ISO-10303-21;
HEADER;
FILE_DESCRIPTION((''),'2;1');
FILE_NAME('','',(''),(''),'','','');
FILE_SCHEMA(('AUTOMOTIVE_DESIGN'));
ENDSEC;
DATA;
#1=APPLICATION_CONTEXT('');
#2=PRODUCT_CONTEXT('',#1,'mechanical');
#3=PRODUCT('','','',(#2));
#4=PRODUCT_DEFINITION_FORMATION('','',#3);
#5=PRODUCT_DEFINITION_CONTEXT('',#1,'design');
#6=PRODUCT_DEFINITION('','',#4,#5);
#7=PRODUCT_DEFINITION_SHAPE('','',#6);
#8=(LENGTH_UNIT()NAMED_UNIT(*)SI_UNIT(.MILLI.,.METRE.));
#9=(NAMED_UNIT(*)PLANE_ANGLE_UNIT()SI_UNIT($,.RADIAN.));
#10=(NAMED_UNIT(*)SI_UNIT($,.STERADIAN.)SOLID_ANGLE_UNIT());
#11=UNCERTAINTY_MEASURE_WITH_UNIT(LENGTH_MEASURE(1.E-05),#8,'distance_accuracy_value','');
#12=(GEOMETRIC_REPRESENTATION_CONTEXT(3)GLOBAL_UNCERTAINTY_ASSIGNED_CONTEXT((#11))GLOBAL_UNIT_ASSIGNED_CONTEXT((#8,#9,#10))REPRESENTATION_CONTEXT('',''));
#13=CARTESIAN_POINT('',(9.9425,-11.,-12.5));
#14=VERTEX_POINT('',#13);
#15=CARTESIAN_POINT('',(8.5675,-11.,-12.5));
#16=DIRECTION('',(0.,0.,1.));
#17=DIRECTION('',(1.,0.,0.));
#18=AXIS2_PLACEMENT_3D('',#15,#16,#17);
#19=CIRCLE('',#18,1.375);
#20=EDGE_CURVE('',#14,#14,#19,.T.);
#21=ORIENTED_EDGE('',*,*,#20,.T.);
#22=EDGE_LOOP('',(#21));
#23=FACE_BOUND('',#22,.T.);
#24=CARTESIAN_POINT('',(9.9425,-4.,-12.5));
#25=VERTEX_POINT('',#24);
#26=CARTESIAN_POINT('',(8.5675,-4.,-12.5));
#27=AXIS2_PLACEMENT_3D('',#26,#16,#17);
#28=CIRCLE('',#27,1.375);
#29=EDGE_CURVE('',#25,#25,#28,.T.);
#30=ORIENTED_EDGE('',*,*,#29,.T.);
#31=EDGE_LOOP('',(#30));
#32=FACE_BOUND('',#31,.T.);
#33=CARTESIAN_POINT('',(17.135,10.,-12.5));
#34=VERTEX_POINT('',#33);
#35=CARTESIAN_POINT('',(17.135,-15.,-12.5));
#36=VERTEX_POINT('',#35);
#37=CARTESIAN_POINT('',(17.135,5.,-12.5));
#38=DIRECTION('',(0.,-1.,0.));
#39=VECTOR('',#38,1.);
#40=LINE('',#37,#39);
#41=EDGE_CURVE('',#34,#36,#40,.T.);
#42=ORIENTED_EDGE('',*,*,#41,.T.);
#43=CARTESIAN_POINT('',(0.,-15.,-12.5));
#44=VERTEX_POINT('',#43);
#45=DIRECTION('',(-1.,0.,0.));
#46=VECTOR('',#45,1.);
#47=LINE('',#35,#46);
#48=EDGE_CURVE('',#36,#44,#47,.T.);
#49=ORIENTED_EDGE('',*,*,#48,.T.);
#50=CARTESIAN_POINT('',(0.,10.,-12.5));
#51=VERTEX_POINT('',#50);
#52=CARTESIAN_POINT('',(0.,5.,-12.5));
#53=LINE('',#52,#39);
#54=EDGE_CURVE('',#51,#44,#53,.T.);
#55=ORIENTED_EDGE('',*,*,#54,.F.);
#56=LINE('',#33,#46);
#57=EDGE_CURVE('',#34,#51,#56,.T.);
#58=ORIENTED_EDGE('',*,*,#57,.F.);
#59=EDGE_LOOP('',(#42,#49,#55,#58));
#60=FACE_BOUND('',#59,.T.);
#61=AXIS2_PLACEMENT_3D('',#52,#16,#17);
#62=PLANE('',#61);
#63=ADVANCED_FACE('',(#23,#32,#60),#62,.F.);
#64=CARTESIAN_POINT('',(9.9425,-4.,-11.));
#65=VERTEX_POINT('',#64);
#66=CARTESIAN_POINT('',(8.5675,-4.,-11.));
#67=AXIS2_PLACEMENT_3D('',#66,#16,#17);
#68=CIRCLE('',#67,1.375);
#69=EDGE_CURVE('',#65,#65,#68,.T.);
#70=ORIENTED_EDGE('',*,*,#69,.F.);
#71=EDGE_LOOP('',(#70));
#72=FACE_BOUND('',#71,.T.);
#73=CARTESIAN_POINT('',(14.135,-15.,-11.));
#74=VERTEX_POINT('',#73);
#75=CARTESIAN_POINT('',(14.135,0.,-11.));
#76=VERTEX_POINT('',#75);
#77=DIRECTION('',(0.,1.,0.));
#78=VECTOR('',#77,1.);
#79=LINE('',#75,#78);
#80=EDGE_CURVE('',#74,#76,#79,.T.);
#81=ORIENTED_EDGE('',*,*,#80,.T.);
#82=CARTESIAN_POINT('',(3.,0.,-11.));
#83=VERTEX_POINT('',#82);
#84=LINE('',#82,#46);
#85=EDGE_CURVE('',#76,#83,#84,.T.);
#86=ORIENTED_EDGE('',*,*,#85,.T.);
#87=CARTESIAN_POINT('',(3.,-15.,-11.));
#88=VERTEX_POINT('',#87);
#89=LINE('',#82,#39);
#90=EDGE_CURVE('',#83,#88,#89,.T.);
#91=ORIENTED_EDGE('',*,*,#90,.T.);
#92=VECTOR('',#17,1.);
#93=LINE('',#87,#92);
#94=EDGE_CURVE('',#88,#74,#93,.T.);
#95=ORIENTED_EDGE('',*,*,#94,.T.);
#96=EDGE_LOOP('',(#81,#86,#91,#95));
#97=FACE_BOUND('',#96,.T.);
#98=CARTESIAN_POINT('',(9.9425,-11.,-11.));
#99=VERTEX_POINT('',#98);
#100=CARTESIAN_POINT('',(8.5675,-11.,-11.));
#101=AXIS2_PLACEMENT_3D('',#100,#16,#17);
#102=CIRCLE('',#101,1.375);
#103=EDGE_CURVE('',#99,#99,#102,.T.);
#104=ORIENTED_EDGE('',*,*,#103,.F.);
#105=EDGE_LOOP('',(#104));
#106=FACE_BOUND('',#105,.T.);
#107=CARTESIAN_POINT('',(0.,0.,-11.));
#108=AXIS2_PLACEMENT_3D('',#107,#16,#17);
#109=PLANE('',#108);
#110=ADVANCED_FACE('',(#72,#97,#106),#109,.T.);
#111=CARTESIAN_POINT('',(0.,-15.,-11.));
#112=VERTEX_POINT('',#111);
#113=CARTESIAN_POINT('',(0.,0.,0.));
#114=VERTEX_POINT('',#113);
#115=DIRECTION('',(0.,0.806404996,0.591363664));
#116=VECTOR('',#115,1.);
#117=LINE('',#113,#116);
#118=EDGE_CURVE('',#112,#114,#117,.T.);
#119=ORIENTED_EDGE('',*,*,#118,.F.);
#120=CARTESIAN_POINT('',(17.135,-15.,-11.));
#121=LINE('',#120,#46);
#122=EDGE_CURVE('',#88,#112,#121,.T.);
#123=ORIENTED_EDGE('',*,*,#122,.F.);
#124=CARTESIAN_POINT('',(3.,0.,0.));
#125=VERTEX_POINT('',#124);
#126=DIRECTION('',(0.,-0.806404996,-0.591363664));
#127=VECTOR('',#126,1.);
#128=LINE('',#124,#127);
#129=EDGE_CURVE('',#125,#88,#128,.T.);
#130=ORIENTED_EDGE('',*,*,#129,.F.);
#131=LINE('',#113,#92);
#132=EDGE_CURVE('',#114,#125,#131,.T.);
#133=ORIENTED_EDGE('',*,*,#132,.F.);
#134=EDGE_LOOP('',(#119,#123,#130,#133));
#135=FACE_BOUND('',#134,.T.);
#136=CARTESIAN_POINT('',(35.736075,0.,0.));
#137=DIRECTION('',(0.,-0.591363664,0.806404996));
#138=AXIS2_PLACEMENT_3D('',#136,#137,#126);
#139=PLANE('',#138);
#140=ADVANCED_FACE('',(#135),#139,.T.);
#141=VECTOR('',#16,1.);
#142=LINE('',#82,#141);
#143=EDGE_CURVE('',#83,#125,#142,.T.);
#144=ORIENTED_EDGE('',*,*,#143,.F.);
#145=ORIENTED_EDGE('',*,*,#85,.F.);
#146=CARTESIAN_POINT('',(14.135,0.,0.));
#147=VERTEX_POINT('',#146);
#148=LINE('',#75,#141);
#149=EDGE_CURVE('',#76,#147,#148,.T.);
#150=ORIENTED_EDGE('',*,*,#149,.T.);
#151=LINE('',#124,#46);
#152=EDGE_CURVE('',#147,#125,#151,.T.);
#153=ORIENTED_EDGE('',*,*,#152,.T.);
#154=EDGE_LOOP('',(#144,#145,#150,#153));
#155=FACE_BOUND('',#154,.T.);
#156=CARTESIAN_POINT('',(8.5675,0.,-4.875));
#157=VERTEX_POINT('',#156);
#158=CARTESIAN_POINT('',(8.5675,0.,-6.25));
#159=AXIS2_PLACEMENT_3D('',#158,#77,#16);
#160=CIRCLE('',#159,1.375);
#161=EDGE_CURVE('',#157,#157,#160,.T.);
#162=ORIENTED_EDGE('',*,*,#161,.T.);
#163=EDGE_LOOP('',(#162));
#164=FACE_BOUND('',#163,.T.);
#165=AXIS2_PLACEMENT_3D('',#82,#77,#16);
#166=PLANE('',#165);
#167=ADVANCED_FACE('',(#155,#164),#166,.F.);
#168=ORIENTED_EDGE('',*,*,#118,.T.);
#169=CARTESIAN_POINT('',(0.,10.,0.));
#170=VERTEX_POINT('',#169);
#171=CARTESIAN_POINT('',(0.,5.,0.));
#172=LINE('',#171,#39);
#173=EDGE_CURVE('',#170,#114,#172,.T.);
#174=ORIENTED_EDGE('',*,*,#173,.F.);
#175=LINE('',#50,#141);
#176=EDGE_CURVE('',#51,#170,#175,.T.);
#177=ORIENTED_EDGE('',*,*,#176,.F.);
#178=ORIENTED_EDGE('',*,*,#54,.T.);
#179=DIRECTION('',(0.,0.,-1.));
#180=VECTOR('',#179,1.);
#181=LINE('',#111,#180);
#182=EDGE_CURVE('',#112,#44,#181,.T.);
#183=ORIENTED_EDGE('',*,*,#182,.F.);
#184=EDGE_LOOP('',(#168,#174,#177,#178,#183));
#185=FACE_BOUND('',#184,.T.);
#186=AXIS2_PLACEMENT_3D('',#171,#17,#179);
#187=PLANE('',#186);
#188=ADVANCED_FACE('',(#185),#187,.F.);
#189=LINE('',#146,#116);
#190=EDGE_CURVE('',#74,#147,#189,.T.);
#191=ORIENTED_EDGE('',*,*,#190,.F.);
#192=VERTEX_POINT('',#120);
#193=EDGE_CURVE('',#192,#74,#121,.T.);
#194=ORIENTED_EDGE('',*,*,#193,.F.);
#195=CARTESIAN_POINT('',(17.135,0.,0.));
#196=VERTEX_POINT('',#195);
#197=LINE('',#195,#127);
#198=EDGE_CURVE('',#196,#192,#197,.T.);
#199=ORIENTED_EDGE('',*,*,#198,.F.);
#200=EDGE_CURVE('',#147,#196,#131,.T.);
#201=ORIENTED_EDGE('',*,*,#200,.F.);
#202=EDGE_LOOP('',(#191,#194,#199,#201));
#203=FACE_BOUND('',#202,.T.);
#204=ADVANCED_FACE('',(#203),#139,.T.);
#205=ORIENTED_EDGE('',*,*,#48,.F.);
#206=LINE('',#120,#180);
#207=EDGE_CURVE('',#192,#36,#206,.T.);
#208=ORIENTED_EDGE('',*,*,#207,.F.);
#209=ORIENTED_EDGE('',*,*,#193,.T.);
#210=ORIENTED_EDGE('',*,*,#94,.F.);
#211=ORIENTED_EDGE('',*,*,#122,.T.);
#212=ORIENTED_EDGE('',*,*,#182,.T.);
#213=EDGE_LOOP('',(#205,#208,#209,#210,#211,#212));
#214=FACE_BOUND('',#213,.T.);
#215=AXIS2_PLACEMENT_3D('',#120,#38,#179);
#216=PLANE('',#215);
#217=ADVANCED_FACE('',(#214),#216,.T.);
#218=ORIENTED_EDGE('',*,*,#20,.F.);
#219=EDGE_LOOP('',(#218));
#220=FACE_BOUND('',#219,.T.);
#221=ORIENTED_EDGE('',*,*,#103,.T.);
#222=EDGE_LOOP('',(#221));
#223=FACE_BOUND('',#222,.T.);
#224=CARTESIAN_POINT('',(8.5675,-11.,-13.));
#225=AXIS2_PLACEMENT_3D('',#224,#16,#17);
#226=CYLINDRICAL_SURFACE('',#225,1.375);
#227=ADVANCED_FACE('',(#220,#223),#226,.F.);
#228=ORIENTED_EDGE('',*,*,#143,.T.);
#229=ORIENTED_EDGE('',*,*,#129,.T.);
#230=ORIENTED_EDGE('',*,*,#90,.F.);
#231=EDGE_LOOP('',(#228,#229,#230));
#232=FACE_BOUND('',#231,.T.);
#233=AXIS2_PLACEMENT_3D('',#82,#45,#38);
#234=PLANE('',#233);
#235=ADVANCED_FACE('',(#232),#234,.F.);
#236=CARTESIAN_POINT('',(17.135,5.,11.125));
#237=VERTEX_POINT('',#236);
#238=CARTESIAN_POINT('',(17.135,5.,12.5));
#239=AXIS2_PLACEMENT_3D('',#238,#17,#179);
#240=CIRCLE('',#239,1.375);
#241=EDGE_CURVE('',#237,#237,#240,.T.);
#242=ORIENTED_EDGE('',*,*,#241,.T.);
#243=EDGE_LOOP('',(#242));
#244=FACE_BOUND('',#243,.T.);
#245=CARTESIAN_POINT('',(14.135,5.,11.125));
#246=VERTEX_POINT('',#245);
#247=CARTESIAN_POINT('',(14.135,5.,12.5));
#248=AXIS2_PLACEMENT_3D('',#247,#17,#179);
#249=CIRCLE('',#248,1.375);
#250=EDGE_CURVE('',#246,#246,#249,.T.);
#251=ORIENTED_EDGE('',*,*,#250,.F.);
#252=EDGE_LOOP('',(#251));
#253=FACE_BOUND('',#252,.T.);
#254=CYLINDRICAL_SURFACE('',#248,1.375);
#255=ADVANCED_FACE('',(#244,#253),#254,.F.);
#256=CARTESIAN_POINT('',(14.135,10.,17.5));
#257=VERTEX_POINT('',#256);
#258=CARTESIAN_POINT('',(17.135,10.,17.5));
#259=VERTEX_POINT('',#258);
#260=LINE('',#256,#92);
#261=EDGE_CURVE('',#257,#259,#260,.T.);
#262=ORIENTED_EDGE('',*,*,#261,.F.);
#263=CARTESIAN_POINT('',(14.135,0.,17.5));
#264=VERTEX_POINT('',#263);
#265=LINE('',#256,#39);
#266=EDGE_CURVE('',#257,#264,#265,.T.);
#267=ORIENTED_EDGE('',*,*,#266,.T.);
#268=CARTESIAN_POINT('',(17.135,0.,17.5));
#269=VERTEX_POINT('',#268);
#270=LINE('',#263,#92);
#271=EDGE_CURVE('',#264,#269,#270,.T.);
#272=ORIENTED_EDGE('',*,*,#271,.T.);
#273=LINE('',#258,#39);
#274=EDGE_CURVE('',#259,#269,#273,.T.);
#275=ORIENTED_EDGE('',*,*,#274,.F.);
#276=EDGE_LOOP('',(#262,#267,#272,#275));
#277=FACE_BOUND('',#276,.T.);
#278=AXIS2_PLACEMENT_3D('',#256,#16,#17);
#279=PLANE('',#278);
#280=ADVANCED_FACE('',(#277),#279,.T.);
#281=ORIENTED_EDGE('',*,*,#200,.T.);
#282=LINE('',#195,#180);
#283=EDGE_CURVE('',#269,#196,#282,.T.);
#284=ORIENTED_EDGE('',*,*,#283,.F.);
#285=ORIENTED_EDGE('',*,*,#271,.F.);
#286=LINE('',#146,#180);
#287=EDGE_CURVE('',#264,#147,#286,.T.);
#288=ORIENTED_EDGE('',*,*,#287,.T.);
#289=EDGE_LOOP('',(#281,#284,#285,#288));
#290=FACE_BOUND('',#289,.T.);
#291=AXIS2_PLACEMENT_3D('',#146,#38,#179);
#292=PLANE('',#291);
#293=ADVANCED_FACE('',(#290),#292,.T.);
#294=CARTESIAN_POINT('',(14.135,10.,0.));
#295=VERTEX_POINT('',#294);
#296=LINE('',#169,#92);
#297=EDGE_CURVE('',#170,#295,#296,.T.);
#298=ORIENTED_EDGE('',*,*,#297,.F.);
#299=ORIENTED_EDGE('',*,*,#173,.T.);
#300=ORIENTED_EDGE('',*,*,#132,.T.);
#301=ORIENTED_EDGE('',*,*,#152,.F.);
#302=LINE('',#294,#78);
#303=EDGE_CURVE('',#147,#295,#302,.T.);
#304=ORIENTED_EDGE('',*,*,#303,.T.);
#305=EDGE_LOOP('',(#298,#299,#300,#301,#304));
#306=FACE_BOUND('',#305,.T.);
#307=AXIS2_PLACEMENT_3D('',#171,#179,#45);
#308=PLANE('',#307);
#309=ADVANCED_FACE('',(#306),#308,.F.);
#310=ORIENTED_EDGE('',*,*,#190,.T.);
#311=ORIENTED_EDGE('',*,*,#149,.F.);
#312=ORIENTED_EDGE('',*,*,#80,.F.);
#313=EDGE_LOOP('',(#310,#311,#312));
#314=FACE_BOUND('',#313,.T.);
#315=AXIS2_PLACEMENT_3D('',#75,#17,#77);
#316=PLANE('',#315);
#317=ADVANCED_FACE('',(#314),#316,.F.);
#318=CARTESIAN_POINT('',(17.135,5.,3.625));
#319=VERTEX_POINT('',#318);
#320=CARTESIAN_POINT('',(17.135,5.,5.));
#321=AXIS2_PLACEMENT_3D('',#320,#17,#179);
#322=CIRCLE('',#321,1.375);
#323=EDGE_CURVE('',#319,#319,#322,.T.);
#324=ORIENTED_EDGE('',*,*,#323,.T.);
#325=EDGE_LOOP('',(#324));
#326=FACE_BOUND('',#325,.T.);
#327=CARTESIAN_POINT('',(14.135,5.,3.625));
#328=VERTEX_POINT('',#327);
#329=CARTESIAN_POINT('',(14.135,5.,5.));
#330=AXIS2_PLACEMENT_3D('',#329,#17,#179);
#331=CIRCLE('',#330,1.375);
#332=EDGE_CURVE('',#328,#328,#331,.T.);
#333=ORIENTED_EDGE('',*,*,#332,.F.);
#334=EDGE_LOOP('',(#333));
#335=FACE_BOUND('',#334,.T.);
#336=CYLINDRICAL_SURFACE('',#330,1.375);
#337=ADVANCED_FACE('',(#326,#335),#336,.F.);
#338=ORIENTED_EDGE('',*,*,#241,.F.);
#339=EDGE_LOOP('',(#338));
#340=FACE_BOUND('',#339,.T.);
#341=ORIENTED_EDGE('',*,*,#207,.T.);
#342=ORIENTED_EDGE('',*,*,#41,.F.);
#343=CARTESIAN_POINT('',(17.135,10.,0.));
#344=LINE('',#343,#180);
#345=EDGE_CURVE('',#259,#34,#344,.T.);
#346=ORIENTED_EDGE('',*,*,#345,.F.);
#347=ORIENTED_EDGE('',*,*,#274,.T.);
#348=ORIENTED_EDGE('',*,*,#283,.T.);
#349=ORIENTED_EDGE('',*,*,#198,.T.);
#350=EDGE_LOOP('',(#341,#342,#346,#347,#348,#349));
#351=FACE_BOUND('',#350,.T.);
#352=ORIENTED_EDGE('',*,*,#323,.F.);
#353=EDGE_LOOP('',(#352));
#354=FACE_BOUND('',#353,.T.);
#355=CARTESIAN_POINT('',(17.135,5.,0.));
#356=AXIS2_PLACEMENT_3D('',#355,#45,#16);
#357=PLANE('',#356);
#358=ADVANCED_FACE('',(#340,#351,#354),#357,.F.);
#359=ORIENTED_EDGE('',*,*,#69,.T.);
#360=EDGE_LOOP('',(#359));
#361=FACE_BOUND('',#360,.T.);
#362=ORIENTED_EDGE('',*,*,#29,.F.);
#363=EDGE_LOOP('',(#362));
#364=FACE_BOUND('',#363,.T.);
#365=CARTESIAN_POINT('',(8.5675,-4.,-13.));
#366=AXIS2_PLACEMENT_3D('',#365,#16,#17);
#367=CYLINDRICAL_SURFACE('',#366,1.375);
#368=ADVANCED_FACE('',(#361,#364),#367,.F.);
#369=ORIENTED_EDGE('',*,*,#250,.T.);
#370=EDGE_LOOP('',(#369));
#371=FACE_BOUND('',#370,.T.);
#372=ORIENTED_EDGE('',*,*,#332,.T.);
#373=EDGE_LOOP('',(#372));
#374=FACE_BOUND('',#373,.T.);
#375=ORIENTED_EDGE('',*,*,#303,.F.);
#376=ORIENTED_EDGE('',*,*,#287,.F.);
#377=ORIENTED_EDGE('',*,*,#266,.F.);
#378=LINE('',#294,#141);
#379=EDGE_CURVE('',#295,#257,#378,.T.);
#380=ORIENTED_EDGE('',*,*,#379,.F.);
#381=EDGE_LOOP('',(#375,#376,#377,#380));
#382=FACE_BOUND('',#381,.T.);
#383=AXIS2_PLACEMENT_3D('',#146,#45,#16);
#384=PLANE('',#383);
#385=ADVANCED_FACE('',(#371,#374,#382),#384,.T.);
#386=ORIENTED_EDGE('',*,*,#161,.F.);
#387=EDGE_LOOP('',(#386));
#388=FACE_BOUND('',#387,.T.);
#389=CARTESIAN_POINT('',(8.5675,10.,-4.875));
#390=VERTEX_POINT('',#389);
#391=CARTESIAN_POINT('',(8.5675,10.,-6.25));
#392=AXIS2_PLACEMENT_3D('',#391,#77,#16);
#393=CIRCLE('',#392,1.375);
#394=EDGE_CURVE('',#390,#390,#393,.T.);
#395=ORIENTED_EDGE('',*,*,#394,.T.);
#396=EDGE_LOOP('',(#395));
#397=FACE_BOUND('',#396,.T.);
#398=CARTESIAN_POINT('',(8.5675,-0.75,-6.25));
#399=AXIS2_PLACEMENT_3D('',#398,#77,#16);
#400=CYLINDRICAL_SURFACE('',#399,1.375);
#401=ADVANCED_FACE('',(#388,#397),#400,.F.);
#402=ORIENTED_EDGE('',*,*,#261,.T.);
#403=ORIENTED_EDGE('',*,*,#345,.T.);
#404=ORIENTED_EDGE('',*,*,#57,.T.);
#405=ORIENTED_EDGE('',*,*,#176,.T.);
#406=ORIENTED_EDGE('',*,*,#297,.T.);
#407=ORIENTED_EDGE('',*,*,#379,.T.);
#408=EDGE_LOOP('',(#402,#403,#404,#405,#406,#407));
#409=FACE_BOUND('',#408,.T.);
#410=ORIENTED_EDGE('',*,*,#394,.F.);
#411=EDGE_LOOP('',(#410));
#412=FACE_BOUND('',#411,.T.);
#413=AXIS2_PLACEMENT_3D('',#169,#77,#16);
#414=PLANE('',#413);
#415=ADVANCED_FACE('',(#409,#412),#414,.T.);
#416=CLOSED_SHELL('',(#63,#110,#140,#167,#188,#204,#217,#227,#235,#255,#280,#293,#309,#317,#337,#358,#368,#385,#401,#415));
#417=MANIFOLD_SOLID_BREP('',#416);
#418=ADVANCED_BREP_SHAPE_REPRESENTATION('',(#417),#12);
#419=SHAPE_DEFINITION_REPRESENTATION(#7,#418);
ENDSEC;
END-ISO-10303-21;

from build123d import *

# Parameters (mm, degrees)
SKETCH1_W           = 17.135
SKETCH1_H           = 12.5
BASE_DEPTH          = 5
SKETCH2_W           = 17.135
SKETCH2_H           = 15
BOSS_EXTRUDE2_DEPTH = 1.5
BOSS_EXTRUDE3_DEPTH = 17.135
SKETCH4_W           = 11.135
SKETCH4_H           = 15
CUT_EXTRUDE1_DEPTH  = 11
SKETCH5_R           = 1.375
CUT_EXTRUDE2_DEPTH  = 2
SKETCH6_R           = 1.375
CUT_EXTRUDE3_DEPTH  = 5.75
SKETCH7_W           = 17.135
SKETCH7_H           = 12.5
SKETCH7_R           = 1.375
BOSS_EXTRUDE4_DEPTH = 5
SKETCH8_W           = 17.5
SKETCH8_H           = 10
SKETCH8_R           = 1.375
BOSS_EXTRUDE5_DEPTH = 3


with BuildPart() as part:
    # Sketch1 → base (new body)
    with BuildSketch(Plane(origin=(0, 0, 0), x_dir=(1, 0, 0), z_dir=(0, 1, 0))):
        with Locations((8.5675, 6.25)):
            Rectangle(SKETCH1_W, SKETCH1_H)
    extrude(amount=BASE_DEPTH)

    # Sketch2 → Boss-Extrude2 (add)
    with BuildSketch(Plane(origin=(0, 0, -12.5), x_dir=(-1, 0, 0), z_dir=(0, 0, -1))):
        with Locations((-8.5675, -7.5)):
            Rectangle(SKETCH2_W, SKETCH2_H)
    extrude(amount=-BOSS_EXTRUDE2_DEPTH)

    # Sketch3 → Boss-Extrude3 (add)
    with BuildSketch(Plane.ZY):
        Polygon((0, 0), (-11, -15), (-11, 0), align=None)
    extrude(amount=-BOSS_EXTRUDE3_DEPTH)

    # Sketch4 → Cut-Extrude1 (cut)
    with BuildSketch(Plane.XY):
        with Locations((8.5675, -7.5)):
            Rectangle(SKETCH4_W, SKETCH4_H)
    extrude(amount=-CUT_EXTRUDE1_DEPTH, mode=Mode.SUBTRACT)

    # Sketch5 → Cut-Extrude2 (cut)
    with BuildSketch(Plane.XY.offset(-11)):
        with Locations((8.5675, -4)):
            Circle(SKETCH5_R)
        with Locations((8.5675, -11)):
            Circle(SKETCH5_R)
    extrude(amount=-CUT_EXTRUDE2_DEPTH, mode=Mode.SUBTRACT)

    # Sketch6 → Cut-Extrude3 (cut)
    with BuildSketch(Plane(origin=(0, 5, 0), x_dir=(1, 0, 0), z_dir=(0, 1, 0))):
        with Locations((8.5675, 6.25)):
            Circle(SKETCH6_R)
    extrude(amount=-CUT_EXTRUDE3_DEPTH, mode=Mode.SUBTRACT)

    # Sketch7 → Boss-Extrude4 (add)
    with BuildSketch(Plane(origin=(0, 5, 0), x_dir=(1, 0, 0), z_dir=(0, 1, 0))):
        with Locations((8.5675, 6.25)):
            Rectangle(SKETCH7_W, SKETCH7_H)
        with Locations((8.5675, 6.25)):
            Circle(SKETCH7_R, mode=Mode.SUBTRACT)
    extrude(amount=BOSS_EXTRUDE4_DEPTH)

    # Sketch8 → Boss-Extrude5 (add)
    with BuildSketch(Plane(origin=(17.135, 0, 0), x_dir=(0, 0, -1), z_dir=(1, 0, 0))):
        with Locations((-8.75, 5)):
            Rectangle(SKETCH8_W, SKETCH8_H)
        with Locations((-5, 5)):
            Circle(SKETCH8_R, mode=Mode.SUBTRACT)
        with Locations((-12.5, 5)):
            Circle(SKETCH8_R, mode=Mode.SUBTRACT)
    extrude(amount=-BOSS_EXTRUDE5_DEPTH)


solid = part.part
